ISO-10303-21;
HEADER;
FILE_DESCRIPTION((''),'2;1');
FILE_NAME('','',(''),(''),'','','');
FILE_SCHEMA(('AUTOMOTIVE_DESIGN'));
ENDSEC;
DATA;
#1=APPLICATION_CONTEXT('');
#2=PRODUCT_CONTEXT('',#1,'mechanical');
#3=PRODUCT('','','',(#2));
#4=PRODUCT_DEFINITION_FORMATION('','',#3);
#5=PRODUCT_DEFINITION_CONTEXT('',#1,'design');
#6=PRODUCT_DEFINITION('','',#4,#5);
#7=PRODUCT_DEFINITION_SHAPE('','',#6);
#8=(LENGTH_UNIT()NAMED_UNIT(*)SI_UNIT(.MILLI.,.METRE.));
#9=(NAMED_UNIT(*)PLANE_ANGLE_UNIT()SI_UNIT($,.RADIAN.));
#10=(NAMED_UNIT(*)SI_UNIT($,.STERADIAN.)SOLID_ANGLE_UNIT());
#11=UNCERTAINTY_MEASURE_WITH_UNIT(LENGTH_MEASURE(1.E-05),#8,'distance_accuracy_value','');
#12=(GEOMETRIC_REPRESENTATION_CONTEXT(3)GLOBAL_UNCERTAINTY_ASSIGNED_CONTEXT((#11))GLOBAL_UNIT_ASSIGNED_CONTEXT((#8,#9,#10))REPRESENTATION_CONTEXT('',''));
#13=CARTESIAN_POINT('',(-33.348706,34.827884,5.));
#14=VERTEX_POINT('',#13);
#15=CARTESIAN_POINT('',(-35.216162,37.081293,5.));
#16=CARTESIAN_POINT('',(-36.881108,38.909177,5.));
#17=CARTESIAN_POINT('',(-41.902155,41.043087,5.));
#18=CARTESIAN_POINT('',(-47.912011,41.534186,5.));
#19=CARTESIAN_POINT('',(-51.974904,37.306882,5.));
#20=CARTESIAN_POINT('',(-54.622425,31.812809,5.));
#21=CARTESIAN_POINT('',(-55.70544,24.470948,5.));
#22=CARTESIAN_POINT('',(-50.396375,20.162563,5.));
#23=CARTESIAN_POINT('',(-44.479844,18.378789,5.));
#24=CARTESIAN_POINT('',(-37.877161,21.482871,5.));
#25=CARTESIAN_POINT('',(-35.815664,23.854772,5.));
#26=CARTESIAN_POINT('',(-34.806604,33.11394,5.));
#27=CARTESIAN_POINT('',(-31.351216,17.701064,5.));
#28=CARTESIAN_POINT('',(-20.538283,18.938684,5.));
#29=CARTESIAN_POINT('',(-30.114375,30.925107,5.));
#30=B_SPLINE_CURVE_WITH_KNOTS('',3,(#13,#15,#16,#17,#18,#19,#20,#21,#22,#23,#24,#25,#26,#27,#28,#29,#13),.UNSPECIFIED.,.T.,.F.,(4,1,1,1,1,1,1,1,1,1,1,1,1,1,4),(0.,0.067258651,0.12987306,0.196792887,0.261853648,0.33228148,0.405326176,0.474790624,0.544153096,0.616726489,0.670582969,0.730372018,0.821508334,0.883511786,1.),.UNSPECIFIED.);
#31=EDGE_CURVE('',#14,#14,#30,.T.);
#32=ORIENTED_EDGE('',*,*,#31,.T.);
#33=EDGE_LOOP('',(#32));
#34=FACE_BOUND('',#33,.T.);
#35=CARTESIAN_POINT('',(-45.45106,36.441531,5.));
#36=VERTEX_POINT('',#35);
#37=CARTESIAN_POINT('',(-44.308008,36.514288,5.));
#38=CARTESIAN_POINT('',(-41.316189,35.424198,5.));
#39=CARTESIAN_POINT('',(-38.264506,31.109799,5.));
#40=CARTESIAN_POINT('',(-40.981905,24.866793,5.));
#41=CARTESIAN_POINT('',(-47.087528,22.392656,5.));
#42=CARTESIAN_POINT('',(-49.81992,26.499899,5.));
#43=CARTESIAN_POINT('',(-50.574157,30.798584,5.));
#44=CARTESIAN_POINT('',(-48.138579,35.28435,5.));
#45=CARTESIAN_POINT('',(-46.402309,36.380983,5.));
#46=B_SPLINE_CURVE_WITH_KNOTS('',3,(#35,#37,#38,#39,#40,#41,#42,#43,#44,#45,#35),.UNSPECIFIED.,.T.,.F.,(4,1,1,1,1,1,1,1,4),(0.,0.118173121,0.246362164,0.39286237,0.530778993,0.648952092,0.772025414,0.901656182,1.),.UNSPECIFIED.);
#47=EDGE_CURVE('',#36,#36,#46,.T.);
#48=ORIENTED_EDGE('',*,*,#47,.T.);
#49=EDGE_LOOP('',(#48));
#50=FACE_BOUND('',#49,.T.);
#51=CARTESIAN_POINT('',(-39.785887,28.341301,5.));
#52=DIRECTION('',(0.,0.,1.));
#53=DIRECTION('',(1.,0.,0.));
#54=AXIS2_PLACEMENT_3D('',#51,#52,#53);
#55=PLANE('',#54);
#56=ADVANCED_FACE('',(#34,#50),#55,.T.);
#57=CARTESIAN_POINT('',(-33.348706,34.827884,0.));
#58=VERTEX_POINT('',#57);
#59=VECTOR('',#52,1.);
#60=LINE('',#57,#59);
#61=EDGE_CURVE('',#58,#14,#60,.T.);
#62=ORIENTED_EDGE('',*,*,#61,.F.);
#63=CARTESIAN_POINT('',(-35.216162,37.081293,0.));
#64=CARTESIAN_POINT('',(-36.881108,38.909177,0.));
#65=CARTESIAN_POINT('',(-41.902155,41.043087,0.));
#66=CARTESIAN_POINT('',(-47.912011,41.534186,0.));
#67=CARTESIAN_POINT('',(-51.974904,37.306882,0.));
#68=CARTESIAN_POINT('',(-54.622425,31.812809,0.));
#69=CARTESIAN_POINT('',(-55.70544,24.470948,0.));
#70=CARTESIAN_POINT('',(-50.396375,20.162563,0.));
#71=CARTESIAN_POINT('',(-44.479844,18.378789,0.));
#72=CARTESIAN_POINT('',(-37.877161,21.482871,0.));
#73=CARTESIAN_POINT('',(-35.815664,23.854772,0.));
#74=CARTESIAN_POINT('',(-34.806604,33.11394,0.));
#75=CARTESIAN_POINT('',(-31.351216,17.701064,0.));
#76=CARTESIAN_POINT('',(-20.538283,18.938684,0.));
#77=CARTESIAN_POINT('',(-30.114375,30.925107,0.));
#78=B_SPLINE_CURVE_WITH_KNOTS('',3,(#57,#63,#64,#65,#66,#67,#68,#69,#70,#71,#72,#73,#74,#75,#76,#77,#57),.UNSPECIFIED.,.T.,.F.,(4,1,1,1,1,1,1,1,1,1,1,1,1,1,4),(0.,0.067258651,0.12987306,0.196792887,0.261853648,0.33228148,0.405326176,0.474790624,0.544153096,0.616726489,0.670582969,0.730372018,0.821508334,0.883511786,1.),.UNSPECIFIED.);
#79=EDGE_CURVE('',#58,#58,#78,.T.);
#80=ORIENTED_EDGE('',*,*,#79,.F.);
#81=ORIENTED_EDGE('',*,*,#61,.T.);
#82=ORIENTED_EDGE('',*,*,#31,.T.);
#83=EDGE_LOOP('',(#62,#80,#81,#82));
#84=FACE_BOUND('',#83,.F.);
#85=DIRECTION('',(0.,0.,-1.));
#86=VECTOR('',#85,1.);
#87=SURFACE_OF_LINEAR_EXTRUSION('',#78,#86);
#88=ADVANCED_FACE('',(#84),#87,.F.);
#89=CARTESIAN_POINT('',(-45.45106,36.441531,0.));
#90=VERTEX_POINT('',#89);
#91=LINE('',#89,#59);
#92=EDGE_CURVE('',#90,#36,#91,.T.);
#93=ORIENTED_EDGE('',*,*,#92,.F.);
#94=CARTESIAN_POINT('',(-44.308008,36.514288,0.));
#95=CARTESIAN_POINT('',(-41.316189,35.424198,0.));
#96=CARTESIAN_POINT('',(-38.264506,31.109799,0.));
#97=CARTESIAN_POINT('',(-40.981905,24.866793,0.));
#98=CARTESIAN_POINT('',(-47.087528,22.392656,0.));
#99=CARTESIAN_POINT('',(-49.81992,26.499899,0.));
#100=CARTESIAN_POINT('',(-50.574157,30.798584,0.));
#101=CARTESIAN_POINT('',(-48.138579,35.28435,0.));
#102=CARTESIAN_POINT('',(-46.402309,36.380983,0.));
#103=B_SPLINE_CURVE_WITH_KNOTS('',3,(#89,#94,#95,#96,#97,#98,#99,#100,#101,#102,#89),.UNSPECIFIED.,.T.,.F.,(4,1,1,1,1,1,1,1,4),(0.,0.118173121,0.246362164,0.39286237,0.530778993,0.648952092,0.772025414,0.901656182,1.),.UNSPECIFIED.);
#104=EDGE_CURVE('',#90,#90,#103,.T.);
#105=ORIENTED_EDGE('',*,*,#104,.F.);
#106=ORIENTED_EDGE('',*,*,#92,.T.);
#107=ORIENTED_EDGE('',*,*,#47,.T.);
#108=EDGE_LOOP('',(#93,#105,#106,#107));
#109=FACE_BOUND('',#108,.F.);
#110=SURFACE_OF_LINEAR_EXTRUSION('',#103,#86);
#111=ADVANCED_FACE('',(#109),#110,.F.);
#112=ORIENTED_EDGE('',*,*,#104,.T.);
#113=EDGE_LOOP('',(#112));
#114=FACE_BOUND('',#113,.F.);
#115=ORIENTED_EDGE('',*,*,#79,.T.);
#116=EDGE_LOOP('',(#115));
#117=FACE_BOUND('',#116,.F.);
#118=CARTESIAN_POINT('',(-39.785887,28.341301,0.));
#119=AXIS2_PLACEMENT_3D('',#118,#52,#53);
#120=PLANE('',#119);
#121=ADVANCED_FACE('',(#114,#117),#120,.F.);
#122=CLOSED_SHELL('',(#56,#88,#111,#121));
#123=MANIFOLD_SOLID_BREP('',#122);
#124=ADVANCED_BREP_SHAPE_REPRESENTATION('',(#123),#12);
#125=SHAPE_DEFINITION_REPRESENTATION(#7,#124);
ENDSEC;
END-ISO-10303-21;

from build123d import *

# Parameters (mm, degrees)
F1_DEPTH = 5


with BuildPart() as f1:
    # F0 (on Top) → F1 (new body)
    with BuildSketch(Plane.XY):
        with BuildLine():
            add(Edge.make_bspline(
                [(-33.3487056196, 34.8278842866), (-35.2161622165, 37.081292689), (-36.8811079259, 38.9091765763), (-41.902154689, 41.043087353), (-47.9120114097, 41.5341864818), (-51.9749041226, 37.3068816136), (-54.6224247091, 31.8128094877), (-55.705440291, 24.4709483429), (-50.3963745838, 20.1625628078), (-44.4798439916, 18.3787886554), (-37.8771613234, 21.482870886), (-35.8156643732, 23.8547715623), (-34.8066043334, 33.1139400856), (-31.3512156054, 17.7010641812), (-20.5382831192, 18.9386839011), (-30.1143754203, 30.9251071838), (-33.3487056196, 34.8278842866)],
                knots=[0, 0, 0, 0, 0.0672586505, 0.1298730597, 0.196792887, 0.2618536485, 0.3322814802, 0.4053261764, 0.4747906245, 0.5441530965, 0.6167264891, 0.6705829693, 0.7303720184, 0.821508334, 0.8835117857, 1, 1, 1, 1], degree=3))
        make_face()
        with BuildLine():
            add(Edge.make_bspline(
                [(-45.4510599375, 36.4415310323), (-44.308008339, 36.5142877903), (-41.3161892442, 35.4241979283), (-38.2645058795, 31.1097989042), (-40.981904853, 24.8667927703), (-47.0875277776, 22.3926560797), (-49.8199196257, 26.4998988014), (-50.574156988, 30.7985839956), (-48.1385786896, 35.2843504089), (-46.4023088961, 36.3809827681), (-45.4510599375, 36.4415310323)],
                knots=[0, 0, 0, 0, 0.1181731206, 0.2463621639, 0.3928623701, 0.5307789933, 0.6489520917, 0.7720254143, 0.9016561824, 1, 1, 1, 1], degree=3))
        make_face(mode=Mode.SUBTRACT)
    extrude(amount=F1_DEPTH)


solid = f1.part
